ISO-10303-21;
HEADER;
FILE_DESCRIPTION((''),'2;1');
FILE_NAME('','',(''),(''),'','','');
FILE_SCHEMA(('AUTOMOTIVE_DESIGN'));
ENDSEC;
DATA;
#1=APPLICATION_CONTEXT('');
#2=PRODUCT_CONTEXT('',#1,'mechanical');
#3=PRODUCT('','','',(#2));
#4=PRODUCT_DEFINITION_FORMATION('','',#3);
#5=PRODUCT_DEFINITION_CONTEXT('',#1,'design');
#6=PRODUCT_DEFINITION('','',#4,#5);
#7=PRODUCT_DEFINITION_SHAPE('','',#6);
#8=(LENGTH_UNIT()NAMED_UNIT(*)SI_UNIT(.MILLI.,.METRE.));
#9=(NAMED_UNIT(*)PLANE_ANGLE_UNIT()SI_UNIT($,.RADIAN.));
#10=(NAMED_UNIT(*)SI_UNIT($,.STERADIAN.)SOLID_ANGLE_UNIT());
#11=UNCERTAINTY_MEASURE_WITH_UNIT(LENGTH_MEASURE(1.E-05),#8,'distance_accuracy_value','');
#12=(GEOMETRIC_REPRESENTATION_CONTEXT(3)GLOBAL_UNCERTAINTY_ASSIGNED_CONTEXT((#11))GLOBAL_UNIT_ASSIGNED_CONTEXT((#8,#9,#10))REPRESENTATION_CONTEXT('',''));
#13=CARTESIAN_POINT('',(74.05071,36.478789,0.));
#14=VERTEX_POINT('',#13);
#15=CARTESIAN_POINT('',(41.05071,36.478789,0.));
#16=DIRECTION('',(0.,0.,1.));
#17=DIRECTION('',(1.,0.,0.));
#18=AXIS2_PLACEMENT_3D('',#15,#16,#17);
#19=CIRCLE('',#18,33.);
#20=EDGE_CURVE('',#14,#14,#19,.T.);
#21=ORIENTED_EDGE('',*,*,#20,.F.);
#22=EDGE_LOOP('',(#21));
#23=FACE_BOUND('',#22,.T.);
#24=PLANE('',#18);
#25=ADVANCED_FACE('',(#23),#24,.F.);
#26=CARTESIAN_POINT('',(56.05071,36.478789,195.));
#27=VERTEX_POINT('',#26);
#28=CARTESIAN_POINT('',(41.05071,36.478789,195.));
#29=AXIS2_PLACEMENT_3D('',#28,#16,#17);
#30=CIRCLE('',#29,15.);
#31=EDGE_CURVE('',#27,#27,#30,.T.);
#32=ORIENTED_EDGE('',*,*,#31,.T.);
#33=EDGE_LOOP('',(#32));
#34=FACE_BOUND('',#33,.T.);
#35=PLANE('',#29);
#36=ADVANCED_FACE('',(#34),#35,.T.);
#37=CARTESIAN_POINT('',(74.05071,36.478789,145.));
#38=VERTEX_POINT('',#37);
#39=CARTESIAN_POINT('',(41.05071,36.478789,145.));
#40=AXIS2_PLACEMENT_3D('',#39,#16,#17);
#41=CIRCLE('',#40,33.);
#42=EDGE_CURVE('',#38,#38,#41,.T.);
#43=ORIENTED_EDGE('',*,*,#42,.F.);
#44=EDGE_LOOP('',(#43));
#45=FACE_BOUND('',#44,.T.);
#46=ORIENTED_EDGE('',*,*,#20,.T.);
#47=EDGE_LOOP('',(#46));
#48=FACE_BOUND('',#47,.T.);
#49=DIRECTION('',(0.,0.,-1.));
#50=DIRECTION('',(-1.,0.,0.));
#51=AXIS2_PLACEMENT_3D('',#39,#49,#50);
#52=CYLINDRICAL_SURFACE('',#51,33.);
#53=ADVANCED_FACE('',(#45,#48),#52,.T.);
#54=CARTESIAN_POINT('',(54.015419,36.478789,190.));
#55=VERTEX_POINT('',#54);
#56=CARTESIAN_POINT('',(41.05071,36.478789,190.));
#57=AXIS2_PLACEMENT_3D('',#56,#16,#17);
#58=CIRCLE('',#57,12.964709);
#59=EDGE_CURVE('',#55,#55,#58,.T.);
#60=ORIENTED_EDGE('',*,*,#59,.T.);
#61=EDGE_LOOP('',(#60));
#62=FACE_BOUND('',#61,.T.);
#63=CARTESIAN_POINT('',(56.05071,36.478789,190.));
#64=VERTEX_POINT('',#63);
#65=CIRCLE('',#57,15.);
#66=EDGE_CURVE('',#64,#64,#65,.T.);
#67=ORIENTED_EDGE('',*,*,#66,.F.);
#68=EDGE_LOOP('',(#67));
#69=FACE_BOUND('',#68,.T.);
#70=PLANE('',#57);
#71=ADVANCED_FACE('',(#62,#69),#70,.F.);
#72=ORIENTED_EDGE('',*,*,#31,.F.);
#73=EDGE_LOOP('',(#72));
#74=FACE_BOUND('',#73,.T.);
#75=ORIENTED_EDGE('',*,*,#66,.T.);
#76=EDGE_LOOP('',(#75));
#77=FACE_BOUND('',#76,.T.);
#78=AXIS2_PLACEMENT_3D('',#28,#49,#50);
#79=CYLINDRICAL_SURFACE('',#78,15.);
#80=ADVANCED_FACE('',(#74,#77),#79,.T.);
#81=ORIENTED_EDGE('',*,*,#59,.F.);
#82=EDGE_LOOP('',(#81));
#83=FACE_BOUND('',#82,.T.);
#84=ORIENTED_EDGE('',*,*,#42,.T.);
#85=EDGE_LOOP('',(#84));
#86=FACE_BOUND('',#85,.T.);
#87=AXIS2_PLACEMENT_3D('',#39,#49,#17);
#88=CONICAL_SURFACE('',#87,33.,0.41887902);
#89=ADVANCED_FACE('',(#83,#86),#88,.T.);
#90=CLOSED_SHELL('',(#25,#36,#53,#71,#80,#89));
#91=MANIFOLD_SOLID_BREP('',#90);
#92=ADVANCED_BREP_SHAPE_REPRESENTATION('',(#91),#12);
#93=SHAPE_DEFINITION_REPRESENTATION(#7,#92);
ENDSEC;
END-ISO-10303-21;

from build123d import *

# Parameters (mm, degrees)
ESQUISSE2_R        = 33
BOSS_EXTRU_1_DEPTH = 145
ESQUISSE4_R        = 33
BOSS_EXTRU_2_DEPTH = 45
BOSS_EXTRU_2_TAPER = 24
ESQUISSE5_R        = 15
BOSS_EXTRU_3_DEPTH = 5


with BuildPart() as part:
    # Esquisse2 → Boss.-Extru.1 (new body)
    with BuildSketch(Plane.XY):
        with Locations((41.050709504, 36.47878936)):
            Circle(ESQUISSE2_R)
    extrude(amount=BOSS_EXTRU_1_DEPTH)

    # Esquisse4 → Boss.-Extru.2 (add)
    with BuildSketch(Plane.XY.offset(145)):
        with Locations((41.050709504, 36.47878936)):
            Circle(ESQUISSE4_R)
    extrude(amount=BOSS_EXTRU_2_DEPTH, taper=BOSS_EXTRU_2_TAPER)

    # Esquisse5 → Boss.-Extru.3 (add)
    with BuildSketch(Plane.XY.offset(190)):
        with Locations((41.050709504, 36.47878936)):
            Circle(ESQUISSE5_R)
    extrude(amount=BOSS_EXTRU_3_DEPTH)


solid = part.part
